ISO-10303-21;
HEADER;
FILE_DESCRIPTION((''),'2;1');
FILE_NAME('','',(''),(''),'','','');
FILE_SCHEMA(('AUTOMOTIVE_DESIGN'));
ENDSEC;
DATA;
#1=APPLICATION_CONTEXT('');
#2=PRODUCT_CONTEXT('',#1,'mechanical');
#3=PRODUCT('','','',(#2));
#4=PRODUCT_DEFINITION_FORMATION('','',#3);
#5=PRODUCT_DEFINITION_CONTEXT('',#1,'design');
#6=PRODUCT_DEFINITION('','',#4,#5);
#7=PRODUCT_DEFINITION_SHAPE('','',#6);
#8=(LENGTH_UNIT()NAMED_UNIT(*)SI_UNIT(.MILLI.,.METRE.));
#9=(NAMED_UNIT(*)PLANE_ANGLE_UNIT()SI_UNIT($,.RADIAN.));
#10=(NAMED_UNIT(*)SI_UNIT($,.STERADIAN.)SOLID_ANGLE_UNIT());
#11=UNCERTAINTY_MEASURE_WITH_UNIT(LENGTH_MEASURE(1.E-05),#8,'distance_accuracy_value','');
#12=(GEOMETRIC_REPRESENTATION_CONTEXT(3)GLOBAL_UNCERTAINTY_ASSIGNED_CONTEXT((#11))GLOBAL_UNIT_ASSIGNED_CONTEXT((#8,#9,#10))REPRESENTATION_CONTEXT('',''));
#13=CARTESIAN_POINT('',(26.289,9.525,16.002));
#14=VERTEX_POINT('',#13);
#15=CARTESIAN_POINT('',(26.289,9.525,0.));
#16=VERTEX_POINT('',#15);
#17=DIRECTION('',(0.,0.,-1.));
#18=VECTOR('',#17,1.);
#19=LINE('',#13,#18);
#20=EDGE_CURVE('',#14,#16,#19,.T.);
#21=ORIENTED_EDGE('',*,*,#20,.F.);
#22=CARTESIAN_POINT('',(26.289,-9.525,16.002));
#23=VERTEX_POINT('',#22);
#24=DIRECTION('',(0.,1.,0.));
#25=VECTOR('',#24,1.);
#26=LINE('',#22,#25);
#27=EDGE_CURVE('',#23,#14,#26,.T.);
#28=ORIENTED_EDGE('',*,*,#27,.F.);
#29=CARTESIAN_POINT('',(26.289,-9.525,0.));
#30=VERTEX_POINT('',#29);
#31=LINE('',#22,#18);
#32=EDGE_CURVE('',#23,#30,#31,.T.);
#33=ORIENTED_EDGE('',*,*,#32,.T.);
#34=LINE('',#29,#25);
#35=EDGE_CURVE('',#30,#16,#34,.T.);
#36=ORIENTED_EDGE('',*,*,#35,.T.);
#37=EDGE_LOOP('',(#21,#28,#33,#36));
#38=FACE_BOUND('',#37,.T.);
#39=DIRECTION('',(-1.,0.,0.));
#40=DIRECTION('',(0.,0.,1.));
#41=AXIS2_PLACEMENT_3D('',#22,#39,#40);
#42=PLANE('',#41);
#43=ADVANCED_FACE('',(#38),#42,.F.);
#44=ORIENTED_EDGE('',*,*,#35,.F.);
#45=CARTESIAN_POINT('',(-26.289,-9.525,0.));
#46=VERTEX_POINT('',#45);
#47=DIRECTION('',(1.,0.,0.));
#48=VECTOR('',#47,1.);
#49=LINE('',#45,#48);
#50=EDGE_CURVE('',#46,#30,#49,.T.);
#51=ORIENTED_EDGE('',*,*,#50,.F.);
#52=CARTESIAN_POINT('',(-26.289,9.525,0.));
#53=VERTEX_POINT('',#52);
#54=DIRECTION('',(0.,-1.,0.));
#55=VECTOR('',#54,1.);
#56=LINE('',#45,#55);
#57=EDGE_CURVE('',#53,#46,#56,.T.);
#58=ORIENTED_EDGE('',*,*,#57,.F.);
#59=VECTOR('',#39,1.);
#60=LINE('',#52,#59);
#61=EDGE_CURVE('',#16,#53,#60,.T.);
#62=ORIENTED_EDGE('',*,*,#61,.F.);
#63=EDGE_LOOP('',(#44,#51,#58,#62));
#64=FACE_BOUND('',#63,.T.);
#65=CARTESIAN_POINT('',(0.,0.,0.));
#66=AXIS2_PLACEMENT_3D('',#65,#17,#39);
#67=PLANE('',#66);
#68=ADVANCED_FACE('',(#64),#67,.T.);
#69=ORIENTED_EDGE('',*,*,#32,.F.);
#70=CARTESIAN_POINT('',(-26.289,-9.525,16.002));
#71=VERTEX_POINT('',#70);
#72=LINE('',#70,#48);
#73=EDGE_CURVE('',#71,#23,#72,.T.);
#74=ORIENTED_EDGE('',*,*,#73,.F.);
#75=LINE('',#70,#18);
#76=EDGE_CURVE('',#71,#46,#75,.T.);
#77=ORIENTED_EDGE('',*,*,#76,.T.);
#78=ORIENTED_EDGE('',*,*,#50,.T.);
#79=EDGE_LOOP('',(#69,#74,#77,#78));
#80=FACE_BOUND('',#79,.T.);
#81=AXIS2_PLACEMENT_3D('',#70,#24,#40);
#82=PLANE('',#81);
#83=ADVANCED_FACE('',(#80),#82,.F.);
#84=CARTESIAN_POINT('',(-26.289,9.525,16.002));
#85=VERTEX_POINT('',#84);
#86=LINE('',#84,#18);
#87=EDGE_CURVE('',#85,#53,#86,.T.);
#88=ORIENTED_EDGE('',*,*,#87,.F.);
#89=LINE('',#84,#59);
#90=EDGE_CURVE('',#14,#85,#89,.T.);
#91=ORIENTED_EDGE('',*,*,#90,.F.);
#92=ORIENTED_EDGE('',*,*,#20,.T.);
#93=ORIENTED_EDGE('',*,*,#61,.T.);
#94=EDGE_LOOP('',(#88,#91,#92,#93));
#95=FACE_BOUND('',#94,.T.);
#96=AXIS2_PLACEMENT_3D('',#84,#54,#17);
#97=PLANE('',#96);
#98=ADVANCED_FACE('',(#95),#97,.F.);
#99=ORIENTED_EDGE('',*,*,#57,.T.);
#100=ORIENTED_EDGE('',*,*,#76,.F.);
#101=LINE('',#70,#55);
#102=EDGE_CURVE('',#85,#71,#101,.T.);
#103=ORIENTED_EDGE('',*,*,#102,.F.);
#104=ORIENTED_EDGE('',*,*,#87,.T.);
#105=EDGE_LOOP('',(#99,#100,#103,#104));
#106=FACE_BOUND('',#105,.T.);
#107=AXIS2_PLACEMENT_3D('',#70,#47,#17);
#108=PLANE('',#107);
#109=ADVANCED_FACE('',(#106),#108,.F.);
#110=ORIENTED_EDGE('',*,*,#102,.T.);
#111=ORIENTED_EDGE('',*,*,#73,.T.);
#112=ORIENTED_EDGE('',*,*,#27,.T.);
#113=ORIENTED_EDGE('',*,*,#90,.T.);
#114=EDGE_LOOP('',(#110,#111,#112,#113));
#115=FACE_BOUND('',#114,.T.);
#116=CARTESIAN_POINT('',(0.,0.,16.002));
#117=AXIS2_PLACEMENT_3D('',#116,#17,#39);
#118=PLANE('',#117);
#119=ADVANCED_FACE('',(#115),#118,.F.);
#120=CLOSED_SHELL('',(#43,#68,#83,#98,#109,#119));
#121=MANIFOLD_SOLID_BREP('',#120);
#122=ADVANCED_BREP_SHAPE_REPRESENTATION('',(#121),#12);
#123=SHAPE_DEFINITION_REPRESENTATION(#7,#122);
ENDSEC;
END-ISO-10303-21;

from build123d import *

# Parameters (mm, degrees)
SKETCH1_W           = 52.578
SKETCH1_H           = 19.05
BOSS_EXTRUDE1_DEPTH = 16.002


with BuildPart() as part:
    # Sketch1 → Boss-Extrude1 (new body)
    with BuildSketch(Plane.XY):
        Rectangle(SKETCH1_W, SKETCH1_H)
    extrude(amount=BOSS_EXTRUDE1_DEPTH)


solid = part.part
